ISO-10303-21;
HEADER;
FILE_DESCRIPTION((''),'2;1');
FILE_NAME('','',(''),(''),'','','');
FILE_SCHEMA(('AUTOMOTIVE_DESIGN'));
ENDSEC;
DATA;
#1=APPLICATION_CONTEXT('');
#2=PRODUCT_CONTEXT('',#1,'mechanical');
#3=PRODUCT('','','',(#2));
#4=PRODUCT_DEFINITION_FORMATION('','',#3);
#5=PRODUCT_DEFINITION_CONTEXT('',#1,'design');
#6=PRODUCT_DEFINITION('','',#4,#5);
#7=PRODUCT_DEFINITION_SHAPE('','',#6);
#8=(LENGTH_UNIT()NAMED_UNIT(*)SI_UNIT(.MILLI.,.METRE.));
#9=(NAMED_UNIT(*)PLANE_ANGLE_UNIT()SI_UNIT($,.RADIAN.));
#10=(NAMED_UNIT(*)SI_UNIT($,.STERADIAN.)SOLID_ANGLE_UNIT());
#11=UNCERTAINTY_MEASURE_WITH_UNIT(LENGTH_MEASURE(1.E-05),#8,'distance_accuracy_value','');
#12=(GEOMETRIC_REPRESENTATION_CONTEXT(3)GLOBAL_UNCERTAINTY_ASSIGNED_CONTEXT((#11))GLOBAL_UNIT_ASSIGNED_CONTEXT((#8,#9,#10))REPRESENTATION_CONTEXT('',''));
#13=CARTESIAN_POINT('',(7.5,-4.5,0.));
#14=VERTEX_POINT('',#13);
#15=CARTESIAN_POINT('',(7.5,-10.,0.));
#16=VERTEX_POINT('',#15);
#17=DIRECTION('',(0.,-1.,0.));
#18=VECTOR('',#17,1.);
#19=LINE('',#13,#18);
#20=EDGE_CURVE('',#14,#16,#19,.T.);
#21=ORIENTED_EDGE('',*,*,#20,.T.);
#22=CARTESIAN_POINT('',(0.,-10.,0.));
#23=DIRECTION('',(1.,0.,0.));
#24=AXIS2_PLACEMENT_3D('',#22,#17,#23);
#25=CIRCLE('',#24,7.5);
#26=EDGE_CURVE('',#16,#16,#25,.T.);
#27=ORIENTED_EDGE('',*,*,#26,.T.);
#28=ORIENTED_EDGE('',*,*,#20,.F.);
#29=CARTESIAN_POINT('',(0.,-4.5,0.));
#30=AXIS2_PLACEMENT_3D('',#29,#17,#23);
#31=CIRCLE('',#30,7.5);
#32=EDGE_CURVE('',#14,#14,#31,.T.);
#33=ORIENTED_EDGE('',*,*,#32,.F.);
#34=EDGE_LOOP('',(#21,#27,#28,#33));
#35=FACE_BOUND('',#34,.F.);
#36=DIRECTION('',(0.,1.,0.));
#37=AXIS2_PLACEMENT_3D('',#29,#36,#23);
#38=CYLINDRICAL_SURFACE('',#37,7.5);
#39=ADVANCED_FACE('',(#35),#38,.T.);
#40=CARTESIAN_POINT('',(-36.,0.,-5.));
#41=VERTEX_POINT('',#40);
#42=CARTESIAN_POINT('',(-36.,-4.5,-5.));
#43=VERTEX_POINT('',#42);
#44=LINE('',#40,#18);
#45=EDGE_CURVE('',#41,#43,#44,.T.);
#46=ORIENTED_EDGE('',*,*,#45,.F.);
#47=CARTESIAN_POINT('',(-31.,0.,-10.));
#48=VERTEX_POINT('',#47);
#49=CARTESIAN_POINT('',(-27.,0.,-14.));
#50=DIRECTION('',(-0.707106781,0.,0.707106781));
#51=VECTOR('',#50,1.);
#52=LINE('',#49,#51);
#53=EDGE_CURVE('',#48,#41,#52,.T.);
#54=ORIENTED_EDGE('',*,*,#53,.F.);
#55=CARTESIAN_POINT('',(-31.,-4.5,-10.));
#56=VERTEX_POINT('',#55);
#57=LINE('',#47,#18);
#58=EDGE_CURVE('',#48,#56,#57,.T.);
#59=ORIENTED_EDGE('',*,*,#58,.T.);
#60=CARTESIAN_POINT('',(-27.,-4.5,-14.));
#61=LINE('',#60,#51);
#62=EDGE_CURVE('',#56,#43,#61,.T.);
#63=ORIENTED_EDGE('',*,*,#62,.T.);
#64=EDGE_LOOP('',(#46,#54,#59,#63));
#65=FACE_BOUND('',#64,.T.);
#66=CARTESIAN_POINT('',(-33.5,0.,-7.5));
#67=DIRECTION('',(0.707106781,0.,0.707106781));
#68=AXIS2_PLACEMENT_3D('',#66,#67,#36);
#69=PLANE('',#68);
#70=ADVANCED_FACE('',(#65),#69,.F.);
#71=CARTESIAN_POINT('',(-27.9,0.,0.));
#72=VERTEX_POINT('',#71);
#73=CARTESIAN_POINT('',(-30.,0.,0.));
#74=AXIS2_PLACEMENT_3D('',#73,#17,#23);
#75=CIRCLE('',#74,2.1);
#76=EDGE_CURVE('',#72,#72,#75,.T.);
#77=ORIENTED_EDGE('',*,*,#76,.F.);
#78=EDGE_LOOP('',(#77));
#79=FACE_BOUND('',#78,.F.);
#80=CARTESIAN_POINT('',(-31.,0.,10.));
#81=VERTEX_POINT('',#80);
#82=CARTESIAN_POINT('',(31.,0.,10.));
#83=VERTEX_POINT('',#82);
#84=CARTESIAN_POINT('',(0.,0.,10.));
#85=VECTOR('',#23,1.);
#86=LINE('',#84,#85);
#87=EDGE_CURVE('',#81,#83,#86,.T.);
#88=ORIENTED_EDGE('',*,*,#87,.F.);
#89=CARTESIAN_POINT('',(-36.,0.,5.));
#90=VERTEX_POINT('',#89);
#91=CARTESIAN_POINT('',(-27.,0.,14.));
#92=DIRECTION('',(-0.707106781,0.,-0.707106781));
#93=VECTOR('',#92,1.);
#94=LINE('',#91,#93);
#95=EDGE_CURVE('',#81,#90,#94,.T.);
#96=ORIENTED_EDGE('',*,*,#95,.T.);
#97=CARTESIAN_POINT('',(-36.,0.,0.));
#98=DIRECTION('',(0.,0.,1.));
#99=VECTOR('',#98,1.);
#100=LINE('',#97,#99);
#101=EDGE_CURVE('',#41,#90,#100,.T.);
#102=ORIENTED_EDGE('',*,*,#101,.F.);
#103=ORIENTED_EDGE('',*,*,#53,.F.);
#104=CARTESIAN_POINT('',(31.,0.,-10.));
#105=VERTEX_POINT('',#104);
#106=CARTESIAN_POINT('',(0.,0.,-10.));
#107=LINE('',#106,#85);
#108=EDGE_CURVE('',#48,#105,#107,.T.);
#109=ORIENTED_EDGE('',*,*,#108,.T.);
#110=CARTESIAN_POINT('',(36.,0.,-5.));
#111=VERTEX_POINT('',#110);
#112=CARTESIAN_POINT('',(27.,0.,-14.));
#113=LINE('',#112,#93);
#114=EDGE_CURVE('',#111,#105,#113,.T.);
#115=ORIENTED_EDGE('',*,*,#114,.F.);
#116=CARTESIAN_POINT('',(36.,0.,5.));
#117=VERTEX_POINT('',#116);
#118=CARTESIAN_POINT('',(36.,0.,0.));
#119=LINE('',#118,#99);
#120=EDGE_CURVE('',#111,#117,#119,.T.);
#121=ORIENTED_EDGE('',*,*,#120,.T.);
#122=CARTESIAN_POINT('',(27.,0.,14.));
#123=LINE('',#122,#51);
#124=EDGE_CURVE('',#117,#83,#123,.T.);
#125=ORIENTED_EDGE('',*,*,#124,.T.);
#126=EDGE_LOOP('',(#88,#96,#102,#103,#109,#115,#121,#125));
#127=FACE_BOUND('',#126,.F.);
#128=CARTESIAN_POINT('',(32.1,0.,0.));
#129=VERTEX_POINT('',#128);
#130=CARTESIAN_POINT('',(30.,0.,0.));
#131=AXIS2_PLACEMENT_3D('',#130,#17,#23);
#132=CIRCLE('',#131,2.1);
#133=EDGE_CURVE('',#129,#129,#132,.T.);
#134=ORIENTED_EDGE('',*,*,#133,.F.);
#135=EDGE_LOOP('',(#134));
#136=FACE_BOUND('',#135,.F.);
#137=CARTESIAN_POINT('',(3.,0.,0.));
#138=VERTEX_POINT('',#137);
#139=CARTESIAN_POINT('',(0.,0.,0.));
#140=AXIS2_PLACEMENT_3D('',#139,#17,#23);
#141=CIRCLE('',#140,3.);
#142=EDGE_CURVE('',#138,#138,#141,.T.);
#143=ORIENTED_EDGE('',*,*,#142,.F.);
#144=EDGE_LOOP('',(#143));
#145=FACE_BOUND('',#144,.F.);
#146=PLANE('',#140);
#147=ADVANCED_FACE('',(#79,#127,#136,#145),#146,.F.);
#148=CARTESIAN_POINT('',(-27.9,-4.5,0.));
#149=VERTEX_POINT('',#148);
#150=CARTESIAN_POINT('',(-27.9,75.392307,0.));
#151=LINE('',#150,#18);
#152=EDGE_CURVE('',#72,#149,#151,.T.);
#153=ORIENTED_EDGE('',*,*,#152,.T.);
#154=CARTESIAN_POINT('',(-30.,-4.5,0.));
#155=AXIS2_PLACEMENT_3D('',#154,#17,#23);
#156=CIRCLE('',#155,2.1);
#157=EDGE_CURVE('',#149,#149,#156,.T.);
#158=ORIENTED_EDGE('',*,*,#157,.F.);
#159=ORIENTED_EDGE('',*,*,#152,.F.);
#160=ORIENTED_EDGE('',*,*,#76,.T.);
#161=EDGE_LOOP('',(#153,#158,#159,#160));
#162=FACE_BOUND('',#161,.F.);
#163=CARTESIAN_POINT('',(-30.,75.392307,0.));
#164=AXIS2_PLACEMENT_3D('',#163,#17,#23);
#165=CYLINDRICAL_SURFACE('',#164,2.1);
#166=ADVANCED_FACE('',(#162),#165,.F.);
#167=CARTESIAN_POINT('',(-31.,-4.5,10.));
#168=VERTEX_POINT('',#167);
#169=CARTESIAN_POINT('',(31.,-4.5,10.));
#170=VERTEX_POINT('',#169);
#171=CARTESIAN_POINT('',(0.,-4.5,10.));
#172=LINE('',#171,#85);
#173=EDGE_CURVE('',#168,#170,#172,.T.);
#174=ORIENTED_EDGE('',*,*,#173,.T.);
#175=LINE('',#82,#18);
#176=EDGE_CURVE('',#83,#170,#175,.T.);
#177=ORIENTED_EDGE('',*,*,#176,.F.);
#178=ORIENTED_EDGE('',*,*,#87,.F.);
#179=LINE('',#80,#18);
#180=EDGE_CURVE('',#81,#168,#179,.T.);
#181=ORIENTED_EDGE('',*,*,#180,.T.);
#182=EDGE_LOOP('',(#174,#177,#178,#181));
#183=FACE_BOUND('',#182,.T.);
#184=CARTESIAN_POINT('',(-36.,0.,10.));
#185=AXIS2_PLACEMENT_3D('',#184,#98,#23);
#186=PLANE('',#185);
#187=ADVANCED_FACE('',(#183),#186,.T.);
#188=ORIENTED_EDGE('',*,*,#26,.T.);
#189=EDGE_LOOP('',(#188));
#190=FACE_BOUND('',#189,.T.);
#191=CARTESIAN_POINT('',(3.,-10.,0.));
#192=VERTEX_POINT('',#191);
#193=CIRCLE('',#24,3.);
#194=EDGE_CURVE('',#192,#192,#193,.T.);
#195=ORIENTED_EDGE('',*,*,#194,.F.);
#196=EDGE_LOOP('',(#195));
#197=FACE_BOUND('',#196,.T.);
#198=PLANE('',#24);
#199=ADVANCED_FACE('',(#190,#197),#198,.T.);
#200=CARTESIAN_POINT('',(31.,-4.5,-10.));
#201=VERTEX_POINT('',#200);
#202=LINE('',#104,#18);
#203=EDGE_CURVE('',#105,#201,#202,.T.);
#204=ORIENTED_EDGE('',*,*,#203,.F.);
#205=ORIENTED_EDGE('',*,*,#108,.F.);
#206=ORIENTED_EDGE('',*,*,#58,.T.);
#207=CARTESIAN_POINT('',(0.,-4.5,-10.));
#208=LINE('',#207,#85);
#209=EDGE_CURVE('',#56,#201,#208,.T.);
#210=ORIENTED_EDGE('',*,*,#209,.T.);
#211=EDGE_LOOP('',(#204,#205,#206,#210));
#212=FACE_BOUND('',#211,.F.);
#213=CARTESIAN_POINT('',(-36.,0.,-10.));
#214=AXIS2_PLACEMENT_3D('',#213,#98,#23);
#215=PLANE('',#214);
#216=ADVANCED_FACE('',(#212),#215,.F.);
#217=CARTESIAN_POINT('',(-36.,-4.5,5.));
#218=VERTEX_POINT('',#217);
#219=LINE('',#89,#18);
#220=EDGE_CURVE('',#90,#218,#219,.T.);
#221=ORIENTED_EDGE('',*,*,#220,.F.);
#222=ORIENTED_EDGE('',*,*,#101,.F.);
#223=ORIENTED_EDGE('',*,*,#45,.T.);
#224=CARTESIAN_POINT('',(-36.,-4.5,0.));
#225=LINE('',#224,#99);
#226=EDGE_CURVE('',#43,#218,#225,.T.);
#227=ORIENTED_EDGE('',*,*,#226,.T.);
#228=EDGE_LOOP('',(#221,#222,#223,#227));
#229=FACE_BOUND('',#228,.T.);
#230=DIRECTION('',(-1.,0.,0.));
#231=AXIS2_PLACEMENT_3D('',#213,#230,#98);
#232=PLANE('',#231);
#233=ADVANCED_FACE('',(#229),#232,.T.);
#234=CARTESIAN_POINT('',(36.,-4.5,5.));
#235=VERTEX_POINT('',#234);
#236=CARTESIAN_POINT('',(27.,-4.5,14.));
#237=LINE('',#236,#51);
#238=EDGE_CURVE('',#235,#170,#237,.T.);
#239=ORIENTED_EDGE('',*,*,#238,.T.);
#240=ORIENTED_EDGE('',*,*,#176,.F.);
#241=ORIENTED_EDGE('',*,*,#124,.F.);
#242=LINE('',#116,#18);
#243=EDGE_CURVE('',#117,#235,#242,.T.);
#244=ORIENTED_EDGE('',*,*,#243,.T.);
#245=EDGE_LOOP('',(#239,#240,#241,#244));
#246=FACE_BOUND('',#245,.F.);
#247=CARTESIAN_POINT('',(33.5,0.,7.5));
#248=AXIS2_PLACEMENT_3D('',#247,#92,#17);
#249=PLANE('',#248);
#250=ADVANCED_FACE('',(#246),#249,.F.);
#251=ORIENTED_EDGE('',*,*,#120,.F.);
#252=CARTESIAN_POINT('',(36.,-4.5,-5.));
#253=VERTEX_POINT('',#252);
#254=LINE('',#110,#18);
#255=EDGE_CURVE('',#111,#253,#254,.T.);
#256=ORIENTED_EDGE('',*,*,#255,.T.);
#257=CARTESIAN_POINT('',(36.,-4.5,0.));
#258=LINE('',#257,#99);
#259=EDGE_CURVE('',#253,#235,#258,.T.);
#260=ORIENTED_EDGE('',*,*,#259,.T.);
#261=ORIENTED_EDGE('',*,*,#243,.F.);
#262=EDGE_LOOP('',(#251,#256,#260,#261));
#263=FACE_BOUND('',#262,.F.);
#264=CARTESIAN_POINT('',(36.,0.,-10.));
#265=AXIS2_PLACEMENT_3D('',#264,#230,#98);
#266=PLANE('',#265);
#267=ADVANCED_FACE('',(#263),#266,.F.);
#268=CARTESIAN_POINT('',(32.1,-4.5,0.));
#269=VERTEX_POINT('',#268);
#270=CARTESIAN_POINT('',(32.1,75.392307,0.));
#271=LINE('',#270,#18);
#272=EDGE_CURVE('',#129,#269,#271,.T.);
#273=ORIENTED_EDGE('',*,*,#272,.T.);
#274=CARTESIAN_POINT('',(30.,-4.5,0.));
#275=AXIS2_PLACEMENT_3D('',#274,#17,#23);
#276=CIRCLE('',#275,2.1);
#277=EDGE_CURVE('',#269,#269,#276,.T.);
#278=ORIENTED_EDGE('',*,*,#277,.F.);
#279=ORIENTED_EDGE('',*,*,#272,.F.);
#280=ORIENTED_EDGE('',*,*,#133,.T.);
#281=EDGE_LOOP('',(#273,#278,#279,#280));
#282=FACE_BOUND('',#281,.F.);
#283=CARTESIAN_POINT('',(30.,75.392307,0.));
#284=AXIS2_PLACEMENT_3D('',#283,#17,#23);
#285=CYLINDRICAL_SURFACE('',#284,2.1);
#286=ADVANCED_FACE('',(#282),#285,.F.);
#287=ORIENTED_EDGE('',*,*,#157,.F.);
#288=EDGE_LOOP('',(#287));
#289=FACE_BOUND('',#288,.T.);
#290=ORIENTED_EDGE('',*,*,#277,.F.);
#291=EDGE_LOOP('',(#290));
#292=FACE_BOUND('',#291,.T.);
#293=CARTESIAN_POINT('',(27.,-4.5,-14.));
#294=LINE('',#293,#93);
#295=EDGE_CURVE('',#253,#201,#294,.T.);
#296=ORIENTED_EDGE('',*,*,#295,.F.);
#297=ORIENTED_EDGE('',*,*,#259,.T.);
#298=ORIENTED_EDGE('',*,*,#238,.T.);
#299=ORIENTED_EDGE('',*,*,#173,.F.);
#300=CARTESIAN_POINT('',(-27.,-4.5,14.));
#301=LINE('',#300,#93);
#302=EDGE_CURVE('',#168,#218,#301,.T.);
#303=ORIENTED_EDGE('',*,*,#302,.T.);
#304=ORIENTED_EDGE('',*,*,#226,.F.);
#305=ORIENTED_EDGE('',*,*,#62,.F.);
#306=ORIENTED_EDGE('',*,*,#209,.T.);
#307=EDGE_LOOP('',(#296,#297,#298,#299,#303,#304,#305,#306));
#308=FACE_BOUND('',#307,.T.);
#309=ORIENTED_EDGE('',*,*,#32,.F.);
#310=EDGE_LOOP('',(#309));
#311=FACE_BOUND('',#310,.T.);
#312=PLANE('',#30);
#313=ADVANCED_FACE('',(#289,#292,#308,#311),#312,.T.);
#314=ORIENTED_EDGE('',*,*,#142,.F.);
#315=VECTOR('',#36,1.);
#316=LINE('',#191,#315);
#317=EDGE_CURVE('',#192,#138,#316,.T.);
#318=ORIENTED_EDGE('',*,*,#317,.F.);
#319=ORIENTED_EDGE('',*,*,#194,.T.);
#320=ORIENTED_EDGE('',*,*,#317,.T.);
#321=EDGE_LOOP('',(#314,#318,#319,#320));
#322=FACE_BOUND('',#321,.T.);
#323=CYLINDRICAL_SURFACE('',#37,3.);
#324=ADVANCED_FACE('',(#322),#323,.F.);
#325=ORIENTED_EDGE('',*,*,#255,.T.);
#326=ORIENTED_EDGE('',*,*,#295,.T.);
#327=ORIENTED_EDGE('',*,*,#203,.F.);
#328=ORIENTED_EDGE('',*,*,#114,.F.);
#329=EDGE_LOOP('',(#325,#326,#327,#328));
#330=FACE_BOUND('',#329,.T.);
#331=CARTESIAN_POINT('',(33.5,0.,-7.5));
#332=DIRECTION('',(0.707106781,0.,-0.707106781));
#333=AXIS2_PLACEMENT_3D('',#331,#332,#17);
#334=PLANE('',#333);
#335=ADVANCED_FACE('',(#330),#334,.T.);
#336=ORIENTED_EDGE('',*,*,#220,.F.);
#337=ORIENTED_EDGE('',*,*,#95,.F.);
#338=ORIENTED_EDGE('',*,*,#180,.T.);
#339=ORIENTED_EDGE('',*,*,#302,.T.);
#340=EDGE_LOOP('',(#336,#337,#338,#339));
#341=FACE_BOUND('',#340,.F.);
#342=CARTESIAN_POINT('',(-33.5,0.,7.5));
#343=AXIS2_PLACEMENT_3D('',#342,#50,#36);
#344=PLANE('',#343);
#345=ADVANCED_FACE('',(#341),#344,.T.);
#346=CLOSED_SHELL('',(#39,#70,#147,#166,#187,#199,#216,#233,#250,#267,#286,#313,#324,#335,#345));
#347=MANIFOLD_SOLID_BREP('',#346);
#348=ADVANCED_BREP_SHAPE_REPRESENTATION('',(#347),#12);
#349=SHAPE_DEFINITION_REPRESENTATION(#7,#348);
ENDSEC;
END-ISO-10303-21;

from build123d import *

# Parameters (mm, degrees)
F0_W     = 72
F0_H     = 20
F0_R     = 3
F1_DEPTH = 4.5
F2_R     = 7.5
F2_R_2   = 3
F3_DEPTH = 5.5
F4_SIZE  = 5
F6_D     = 4.2


with BuildPart() as f1:
    # F0 (on Front) → F1 (new body)
    with BuildSketch(Plane.XZ):
        Rectangle(F0_W, F0_H)
        Circle(F0_R, mode=Mode.SUBTRACT)
    extrude(amount=F1_DEPTH)

    # F2 (on face) → F3 (join)
    with BuildSketch(Plane.XZ.offset(4.5)):
        Circle(F2_R)
        Circle(F2_R_2, mode=Mode.SUBTRACT)
    extrude(amount=F3_DEPTH)

    # F4
    f4_edges = [f1.edges().sort_by_distance(p)[0] for p in [
        (36, -2.25, 10),
        (36, -2.25, -10),
        (-36, -2.25, 10),
        (-36, -2.25, -10),
    ]]
    chamfer(f4_edges, length=F4_SIZE)

    # F6 (through all)
    with Locations(Plane(origin=(0, 0, 0), x_dir=(-1, 0, 0), z_dir=(0, 1, 0))):
        with Locations((-30, 0), (30, 0)):
            Hole(F6_D / 2)


solid = f1.part
